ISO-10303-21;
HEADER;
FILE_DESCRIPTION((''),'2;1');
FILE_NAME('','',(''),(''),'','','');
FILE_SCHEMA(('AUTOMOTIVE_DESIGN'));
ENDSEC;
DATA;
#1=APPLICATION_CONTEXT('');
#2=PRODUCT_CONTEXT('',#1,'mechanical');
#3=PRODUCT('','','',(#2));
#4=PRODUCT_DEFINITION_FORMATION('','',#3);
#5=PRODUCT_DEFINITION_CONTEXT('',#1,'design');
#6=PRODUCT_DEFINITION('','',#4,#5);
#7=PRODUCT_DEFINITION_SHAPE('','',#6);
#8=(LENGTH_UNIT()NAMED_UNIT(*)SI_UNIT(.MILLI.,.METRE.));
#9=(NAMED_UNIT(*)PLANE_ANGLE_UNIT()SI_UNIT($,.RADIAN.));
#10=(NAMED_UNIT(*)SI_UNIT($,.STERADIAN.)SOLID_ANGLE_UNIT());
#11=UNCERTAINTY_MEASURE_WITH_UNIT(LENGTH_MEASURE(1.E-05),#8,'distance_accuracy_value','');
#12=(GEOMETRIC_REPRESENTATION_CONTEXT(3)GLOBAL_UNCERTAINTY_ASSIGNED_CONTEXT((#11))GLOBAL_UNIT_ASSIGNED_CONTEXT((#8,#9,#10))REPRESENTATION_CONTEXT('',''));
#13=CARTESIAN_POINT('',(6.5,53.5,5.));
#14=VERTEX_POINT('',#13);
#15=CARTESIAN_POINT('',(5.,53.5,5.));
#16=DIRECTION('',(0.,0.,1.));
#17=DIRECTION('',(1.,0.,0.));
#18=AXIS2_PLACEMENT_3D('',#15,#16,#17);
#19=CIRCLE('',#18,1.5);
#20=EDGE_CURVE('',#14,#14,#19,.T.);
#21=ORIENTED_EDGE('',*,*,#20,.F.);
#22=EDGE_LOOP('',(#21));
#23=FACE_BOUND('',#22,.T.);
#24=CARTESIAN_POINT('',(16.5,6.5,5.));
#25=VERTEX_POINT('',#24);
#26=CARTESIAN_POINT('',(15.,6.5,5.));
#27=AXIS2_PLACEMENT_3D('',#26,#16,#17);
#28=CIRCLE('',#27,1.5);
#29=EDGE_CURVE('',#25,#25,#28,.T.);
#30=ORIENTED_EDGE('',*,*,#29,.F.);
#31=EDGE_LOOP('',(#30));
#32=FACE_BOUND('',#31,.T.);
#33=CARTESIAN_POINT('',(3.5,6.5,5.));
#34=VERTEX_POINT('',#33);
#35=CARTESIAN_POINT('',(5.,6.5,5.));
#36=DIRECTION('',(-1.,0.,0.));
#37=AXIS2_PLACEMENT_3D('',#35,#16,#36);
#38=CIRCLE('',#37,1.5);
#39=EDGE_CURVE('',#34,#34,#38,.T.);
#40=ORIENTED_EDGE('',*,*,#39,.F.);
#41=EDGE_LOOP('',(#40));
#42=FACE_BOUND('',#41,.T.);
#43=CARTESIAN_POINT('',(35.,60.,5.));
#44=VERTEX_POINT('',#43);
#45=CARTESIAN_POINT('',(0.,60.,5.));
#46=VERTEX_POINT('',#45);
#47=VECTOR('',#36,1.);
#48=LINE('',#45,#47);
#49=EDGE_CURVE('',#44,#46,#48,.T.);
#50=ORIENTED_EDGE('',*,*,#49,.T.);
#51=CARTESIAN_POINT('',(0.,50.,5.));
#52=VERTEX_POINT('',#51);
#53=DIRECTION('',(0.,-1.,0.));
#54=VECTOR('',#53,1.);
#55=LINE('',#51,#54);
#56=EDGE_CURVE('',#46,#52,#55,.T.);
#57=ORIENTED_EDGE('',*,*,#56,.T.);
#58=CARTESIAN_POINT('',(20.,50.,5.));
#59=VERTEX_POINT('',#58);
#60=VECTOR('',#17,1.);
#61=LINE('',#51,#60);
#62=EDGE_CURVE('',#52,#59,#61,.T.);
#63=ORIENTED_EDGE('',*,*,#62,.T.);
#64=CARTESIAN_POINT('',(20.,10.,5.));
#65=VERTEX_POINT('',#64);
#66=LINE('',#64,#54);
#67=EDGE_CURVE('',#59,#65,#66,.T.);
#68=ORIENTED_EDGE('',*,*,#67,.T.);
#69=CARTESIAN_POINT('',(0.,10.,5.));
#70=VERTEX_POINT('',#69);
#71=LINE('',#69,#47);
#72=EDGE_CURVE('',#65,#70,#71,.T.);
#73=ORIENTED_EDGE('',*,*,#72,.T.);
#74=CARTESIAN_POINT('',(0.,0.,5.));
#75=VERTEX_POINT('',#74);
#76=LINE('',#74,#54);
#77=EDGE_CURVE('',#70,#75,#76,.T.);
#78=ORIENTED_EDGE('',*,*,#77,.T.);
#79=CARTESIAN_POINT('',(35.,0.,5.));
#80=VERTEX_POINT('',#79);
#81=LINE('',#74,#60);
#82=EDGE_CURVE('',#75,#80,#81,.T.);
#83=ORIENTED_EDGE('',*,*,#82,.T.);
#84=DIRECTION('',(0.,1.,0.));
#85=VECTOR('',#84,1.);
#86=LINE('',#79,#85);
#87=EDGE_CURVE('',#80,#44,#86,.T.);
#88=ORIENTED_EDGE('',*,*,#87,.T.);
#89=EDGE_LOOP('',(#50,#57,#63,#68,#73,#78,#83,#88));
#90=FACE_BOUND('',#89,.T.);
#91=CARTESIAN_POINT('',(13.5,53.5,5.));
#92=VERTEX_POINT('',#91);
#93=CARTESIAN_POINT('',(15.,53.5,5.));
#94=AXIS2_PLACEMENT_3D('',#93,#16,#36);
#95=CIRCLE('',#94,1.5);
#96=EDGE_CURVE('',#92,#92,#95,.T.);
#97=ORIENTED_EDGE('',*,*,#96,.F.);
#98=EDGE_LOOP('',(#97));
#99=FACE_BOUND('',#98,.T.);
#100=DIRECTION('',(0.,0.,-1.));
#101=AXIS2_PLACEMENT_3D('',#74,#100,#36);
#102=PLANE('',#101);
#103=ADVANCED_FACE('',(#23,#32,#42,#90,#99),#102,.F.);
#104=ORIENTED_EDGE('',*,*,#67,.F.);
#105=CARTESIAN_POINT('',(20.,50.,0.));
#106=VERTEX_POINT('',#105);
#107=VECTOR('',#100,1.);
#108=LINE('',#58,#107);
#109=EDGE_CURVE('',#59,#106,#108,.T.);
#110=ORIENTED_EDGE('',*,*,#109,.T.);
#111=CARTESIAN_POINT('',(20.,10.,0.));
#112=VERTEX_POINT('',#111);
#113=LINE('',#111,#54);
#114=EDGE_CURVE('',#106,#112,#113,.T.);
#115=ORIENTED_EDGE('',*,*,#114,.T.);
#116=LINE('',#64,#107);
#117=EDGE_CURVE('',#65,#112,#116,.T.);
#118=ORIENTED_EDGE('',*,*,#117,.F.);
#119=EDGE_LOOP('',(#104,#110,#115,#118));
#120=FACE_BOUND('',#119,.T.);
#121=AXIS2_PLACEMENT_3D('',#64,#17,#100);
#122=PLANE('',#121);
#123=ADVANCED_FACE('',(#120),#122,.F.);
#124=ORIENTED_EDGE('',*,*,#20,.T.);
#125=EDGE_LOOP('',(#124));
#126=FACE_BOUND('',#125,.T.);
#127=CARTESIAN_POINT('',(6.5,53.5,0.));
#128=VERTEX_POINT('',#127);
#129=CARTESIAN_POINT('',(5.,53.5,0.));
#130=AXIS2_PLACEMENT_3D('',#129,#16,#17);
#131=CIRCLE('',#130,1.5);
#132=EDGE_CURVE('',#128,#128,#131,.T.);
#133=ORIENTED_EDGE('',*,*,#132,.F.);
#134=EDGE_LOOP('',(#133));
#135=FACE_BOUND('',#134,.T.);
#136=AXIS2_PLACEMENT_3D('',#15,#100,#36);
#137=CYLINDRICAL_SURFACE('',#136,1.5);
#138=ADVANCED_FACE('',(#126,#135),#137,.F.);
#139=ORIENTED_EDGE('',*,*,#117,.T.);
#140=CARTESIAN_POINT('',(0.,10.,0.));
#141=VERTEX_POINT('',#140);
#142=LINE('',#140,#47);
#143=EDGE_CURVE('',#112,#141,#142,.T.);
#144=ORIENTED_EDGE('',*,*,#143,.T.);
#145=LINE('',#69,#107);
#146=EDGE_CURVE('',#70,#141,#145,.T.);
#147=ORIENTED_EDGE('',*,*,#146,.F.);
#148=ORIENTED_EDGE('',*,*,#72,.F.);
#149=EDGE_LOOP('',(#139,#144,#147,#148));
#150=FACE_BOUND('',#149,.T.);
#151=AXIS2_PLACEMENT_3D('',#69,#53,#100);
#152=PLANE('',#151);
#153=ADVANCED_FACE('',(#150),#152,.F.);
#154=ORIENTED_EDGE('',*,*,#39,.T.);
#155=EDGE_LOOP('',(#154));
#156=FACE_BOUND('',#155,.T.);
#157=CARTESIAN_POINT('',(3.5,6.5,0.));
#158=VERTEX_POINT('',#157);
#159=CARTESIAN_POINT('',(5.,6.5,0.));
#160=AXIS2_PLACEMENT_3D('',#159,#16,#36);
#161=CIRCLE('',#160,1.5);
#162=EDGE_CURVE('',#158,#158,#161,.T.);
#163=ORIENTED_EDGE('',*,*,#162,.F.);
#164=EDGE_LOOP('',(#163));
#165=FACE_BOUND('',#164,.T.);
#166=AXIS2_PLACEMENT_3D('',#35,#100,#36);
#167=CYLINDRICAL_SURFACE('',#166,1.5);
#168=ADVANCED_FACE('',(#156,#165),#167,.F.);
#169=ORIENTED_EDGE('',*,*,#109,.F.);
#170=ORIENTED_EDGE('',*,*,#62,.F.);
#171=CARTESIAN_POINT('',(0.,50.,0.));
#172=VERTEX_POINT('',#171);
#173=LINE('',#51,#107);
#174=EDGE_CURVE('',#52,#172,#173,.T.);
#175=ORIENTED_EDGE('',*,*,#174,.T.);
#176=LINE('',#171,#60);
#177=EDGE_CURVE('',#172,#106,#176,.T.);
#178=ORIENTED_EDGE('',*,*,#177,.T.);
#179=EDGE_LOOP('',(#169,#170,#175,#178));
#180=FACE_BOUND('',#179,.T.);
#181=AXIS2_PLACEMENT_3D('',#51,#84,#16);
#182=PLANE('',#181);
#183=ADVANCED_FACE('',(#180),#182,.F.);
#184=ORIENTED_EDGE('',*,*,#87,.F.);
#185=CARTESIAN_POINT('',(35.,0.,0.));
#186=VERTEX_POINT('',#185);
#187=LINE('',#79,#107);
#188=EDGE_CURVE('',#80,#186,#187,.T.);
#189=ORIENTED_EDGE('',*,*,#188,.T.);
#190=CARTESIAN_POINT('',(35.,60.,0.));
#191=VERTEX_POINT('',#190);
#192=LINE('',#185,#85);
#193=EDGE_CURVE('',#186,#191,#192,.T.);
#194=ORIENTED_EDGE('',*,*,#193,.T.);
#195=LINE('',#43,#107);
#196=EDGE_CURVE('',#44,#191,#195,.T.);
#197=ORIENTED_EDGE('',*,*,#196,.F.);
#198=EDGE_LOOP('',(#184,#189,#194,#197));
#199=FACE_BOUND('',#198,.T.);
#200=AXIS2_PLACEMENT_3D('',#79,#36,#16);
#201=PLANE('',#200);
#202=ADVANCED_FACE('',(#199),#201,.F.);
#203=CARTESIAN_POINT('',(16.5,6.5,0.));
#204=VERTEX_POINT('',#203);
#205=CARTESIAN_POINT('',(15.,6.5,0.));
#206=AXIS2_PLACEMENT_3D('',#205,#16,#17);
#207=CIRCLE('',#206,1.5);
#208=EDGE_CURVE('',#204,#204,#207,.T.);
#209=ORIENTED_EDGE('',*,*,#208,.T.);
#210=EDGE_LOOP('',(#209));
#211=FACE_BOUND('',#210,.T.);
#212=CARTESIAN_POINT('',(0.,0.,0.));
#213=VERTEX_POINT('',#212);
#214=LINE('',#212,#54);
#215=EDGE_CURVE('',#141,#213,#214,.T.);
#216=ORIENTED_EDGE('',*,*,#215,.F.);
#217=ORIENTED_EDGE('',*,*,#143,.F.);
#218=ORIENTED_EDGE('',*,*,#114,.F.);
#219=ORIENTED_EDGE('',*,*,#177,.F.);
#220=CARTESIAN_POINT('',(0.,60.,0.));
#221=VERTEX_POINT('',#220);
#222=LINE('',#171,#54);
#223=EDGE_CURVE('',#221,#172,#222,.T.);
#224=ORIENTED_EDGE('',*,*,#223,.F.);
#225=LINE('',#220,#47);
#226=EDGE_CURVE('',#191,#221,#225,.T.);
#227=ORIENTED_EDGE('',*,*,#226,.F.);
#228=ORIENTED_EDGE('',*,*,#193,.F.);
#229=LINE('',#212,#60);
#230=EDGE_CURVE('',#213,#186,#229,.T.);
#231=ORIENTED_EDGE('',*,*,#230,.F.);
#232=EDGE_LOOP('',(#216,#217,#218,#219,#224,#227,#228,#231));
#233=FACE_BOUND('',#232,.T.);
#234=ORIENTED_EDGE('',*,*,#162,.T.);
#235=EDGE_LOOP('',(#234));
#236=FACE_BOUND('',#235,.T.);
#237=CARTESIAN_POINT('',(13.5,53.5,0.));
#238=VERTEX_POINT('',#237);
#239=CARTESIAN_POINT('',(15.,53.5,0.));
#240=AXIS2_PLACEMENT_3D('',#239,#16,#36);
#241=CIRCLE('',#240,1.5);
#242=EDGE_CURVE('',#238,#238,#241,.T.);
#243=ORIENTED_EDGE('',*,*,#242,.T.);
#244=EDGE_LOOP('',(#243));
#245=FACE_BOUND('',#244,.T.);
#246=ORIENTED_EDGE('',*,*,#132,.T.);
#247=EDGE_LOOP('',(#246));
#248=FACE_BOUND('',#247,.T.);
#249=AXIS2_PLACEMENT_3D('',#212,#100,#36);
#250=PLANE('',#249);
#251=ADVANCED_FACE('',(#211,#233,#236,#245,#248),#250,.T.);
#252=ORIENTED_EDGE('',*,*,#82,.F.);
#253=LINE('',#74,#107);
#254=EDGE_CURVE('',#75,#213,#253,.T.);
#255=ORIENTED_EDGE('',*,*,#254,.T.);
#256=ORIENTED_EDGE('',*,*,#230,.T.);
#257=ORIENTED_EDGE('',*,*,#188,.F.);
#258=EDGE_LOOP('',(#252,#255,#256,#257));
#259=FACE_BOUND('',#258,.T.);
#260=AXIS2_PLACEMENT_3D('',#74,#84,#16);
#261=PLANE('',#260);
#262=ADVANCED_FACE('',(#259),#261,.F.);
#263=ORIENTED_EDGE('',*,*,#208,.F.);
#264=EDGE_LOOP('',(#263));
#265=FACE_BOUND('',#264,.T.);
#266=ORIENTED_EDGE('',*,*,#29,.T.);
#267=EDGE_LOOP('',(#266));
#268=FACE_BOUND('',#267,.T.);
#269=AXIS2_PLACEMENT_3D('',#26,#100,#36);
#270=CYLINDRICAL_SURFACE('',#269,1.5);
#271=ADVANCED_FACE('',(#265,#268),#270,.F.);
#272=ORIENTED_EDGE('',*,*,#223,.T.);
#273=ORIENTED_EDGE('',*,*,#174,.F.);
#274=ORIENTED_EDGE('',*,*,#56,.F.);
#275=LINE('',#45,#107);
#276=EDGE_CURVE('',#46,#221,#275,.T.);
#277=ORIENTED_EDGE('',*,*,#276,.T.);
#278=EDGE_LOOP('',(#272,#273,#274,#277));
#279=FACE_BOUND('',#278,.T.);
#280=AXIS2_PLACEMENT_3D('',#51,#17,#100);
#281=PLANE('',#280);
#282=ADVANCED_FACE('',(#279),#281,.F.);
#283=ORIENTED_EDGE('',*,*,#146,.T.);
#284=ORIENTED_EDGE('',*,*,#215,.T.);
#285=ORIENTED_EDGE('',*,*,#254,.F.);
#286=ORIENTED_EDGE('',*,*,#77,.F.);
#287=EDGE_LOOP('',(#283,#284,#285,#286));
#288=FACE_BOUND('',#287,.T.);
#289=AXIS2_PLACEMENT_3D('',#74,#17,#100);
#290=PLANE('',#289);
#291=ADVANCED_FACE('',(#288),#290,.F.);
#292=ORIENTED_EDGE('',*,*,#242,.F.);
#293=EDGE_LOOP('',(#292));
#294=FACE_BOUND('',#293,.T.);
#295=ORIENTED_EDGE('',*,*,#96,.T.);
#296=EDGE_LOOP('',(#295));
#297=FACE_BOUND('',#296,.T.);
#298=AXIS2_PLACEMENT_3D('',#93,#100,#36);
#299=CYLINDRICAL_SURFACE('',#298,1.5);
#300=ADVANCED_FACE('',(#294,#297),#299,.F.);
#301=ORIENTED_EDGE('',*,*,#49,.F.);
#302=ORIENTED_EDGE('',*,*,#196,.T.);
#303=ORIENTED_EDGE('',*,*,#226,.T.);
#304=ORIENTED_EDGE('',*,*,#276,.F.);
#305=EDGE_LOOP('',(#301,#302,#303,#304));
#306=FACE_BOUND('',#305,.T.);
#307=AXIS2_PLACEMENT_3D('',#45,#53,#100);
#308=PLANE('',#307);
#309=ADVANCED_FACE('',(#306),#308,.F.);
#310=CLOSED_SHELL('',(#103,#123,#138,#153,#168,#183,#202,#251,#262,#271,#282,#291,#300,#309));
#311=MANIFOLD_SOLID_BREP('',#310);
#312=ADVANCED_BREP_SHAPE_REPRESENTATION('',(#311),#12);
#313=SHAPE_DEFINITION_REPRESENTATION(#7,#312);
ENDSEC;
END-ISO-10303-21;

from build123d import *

# Parameters (mm, degrees)
ESQUISSE1_R        = 1.5
BOSS_EXTRU_1_DEPTH = 5


with BuildPart() as part:
    # Esquisse1 → Boss.-Extru.1 (new body)
    with BuildSketch(Plane.XY):
        Polygon((0, 0), (35, 0), (35, 60), (0, 60), (0, 50), (20, 50), (20, 10), (0, 10), align=None)
        with Locations((5, 53.5)):
            Circle(ESQUISSE1_R, mode=Mode.SUBTRACT)
        with Locations(Location((15, 53.5, 0), (0, 0, 180))):
            Circle(ESQUISSE1_R, mode=Mode.SUBTRACT)
        with Locations((15, 6.5)):
            Circle(ESQUISSE1_R, mode=Mode.SUBTRACT)
        with Locations(Location((5, 6.5, 0), (0, 0, 180))):
            Circle(ESQUISSE1_R, mode=Mode.SUBTRACT)
    extrude(amount=BOSS_EXTRU_1_DEPTH)


solid = part.part
